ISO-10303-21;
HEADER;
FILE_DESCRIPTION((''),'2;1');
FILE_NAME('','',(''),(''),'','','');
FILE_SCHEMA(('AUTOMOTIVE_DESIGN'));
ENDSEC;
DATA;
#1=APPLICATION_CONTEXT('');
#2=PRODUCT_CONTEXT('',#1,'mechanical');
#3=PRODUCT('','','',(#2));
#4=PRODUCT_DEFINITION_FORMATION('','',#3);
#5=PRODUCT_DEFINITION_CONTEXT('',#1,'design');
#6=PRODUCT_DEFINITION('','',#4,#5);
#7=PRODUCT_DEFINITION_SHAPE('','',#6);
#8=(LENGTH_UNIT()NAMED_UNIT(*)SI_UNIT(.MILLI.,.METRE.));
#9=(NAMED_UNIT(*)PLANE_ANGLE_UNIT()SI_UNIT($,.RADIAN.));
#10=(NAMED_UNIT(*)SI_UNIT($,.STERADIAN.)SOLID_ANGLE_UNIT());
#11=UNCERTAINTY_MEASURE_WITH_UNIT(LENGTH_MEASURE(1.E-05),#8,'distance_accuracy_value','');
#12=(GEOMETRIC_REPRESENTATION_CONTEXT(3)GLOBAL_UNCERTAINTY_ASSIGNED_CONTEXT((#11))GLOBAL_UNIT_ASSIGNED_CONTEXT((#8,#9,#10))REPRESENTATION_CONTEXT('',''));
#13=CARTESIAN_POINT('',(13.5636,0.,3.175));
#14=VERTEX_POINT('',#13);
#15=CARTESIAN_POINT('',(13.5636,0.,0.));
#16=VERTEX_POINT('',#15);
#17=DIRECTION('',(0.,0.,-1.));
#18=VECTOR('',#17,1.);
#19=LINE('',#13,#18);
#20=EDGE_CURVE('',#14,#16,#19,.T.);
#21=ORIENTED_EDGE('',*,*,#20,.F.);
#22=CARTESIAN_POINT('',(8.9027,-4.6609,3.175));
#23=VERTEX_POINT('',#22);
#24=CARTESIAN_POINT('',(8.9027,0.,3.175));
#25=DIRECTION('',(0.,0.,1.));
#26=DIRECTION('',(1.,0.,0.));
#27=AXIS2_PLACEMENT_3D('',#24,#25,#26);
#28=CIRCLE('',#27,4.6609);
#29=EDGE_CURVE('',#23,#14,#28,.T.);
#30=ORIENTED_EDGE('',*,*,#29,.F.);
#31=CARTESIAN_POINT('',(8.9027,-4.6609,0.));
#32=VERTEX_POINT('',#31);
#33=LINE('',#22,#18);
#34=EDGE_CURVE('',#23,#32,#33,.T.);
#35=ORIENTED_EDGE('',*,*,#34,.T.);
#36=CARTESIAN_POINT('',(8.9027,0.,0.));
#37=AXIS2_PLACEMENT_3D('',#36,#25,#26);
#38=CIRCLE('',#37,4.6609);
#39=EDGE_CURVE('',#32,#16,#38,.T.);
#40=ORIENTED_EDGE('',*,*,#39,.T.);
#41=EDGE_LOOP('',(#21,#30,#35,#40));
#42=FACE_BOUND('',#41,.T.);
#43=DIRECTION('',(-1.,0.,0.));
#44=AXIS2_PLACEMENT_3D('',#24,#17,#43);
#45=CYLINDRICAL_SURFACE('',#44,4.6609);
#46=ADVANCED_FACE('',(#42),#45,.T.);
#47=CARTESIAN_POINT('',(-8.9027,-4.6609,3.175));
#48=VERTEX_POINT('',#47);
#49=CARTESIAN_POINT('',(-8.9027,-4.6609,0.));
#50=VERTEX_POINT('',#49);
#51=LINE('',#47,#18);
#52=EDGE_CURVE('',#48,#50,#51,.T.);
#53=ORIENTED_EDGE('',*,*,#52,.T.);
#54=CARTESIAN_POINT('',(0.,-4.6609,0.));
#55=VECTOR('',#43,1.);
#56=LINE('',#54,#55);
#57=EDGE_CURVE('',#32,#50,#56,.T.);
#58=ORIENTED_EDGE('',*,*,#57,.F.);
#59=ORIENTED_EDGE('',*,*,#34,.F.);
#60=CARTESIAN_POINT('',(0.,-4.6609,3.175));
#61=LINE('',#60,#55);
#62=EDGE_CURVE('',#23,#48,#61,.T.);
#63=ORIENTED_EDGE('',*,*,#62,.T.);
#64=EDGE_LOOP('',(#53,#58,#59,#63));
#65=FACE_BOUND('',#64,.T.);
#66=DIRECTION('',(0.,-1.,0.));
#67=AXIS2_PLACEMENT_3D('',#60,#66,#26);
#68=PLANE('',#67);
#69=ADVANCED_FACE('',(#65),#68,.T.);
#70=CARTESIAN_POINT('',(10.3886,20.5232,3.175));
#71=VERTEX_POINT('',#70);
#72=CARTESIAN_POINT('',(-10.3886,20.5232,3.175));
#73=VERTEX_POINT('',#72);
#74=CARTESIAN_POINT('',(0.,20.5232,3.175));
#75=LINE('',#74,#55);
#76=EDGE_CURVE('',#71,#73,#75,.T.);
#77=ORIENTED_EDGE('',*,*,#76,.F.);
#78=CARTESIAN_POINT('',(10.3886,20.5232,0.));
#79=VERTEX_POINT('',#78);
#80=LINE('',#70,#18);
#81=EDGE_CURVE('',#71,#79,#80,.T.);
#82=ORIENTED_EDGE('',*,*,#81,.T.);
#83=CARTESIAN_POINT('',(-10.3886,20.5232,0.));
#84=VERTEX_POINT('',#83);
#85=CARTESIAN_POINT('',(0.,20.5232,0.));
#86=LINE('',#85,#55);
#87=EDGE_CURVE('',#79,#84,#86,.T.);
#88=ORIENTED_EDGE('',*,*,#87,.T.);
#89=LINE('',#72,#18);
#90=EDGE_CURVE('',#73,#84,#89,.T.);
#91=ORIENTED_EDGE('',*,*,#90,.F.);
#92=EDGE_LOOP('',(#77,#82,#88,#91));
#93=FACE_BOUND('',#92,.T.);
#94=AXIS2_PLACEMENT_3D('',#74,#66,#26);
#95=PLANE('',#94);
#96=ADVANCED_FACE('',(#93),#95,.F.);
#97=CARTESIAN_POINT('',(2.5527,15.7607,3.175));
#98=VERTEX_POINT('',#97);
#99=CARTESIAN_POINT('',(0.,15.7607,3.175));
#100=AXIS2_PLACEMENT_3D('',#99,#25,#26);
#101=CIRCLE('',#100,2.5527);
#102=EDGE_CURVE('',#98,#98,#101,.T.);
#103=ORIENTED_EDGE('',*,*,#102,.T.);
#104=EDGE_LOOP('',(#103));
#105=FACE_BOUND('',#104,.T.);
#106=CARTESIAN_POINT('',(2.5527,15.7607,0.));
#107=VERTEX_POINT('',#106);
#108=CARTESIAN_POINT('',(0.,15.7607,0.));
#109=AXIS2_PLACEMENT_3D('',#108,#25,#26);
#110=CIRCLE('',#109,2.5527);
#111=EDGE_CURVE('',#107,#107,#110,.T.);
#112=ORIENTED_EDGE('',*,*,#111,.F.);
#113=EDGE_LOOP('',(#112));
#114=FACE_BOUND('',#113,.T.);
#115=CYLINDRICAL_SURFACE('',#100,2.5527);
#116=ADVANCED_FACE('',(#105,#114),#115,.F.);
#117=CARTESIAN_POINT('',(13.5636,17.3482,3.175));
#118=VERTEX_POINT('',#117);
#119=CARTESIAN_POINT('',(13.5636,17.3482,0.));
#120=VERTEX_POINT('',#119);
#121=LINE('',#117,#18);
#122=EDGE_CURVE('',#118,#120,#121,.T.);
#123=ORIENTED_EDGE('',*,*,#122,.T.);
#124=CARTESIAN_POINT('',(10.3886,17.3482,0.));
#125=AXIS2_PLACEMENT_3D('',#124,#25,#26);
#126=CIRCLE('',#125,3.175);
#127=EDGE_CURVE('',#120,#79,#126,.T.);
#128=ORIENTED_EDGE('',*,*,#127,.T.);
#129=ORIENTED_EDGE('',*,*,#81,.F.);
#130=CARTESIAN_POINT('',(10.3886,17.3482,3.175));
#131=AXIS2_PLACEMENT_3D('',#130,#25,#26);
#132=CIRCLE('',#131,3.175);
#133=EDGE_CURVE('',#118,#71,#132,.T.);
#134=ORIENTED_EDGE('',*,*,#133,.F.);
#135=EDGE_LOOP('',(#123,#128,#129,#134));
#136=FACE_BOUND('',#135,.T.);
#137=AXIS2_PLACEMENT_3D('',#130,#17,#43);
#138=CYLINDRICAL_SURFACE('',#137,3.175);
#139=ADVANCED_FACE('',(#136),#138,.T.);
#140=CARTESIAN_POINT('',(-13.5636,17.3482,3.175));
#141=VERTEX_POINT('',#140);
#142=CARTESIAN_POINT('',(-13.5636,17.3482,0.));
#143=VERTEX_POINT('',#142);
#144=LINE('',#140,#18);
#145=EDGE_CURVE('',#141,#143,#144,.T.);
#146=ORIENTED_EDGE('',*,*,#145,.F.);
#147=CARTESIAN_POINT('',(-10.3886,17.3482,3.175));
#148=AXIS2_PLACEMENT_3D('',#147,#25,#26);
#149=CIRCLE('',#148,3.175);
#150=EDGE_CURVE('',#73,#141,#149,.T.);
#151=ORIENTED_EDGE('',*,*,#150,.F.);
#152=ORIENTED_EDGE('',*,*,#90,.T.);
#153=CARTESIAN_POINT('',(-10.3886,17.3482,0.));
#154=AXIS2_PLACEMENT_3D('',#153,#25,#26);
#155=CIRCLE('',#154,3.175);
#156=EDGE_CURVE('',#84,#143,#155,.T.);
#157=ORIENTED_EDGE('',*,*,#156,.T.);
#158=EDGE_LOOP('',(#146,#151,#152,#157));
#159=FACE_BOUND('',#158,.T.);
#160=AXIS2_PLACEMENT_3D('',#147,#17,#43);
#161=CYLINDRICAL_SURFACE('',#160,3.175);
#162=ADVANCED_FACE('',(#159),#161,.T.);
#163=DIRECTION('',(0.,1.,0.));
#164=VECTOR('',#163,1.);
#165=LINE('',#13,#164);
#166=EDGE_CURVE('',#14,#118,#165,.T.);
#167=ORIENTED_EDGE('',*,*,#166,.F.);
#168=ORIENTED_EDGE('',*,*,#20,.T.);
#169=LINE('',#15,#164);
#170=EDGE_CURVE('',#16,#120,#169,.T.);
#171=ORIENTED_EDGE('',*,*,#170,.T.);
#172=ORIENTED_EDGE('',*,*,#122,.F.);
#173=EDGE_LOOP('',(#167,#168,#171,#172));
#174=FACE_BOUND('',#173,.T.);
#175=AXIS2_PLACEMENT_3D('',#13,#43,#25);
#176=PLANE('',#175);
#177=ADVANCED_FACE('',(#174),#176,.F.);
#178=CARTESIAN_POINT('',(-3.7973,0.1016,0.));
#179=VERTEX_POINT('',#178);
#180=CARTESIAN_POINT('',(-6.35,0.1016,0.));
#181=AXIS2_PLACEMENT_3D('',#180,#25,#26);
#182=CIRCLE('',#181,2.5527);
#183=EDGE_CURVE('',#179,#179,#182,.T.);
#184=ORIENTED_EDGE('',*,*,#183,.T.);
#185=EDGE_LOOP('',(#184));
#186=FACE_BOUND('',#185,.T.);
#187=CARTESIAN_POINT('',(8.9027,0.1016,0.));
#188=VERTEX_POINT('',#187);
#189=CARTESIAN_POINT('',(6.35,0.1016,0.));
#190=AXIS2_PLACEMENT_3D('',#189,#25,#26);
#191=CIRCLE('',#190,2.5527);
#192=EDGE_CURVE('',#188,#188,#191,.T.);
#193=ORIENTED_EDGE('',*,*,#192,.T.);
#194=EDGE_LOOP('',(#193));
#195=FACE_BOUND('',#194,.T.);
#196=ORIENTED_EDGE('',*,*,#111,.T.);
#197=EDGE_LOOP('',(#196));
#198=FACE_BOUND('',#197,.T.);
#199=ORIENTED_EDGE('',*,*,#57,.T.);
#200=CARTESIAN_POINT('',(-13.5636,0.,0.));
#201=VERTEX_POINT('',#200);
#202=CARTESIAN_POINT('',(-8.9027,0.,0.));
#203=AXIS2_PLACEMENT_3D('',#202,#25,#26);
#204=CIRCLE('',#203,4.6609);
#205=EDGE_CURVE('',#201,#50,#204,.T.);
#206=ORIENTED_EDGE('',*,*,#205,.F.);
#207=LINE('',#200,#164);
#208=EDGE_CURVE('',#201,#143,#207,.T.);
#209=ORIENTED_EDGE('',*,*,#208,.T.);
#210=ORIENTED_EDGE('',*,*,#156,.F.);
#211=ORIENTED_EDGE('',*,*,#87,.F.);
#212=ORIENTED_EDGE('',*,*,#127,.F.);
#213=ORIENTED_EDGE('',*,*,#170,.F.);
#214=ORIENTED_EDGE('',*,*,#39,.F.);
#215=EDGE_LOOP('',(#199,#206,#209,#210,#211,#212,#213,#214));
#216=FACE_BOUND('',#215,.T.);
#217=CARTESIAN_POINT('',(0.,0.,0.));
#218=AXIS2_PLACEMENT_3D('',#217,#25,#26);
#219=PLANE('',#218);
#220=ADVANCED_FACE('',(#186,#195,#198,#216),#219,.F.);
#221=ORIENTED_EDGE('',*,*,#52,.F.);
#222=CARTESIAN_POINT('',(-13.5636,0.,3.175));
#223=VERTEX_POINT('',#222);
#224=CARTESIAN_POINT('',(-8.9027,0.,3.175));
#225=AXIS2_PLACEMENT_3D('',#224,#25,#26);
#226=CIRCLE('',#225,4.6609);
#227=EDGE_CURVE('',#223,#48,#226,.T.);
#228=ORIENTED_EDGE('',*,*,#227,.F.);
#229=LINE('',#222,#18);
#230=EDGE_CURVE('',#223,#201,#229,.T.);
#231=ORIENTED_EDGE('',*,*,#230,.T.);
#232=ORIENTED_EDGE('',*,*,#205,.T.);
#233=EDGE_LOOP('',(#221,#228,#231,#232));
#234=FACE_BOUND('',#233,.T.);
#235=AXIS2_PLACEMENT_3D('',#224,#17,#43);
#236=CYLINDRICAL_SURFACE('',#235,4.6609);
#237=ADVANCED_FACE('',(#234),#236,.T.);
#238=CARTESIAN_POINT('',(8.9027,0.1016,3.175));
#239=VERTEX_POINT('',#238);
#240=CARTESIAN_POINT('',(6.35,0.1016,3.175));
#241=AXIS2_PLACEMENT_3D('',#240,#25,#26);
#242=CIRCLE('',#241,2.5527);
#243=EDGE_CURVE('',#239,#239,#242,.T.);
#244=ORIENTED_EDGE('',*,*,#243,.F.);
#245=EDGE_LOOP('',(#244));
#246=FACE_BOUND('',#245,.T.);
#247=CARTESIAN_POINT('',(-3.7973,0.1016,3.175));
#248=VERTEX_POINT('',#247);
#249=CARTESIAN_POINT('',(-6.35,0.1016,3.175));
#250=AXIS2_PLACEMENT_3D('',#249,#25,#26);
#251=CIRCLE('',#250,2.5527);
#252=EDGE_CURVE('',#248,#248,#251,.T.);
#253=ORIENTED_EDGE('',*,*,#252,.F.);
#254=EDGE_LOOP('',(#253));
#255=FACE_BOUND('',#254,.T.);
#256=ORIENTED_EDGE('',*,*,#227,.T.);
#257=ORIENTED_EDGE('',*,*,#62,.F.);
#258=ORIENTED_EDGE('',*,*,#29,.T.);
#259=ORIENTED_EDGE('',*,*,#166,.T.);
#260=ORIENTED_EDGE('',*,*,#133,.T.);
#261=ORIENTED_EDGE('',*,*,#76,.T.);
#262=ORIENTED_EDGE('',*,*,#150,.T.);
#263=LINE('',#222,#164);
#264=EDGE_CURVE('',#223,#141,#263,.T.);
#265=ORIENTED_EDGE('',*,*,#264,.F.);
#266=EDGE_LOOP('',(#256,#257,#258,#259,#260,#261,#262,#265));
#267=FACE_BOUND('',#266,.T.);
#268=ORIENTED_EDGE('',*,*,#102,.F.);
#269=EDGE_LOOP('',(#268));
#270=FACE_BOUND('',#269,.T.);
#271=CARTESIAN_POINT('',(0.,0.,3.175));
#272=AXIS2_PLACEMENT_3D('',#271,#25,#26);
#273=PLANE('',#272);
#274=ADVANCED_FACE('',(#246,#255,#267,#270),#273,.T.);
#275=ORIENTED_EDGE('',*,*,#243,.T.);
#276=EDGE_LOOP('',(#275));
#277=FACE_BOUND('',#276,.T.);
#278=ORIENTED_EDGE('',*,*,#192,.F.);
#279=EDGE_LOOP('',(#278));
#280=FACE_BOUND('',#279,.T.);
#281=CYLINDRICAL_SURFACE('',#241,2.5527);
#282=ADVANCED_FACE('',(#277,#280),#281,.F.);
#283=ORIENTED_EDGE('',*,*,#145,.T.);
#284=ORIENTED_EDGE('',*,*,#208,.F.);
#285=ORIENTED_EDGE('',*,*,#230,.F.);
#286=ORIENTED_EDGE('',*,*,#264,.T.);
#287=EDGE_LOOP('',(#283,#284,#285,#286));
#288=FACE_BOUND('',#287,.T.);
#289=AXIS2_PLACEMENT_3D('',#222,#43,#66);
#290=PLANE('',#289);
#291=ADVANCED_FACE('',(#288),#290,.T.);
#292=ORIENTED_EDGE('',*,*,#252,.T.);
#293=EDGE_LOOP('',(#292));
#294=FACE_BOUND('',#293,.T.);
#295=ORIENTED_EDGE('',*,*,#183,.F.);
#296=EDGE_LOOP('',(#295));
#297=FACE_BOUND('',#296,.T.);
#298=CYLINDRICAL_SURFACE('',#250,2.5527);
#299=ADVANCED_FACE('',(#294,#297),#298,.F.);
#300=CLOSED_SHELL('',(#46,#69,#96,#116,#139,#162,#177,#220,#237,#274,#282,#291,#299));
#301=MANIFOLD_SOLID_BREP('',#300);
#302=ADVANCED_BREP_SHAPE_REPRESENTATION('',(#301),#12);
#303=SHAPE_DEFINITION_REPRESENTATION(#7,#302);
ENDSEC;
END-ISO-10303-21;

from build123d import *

# Parameters (mm, degrees)
BOSS_EXTRUDE1_DEPTH    = 3.175
F_10_CLEARANCE_HOLE1_D = 5.1054


with BuildPart() as part:
    # Sketch1 → Boss-Extrude1 (new body)
    with BuildSketch(Plane.XY):
        with BuildLine():
            Line((-8.9027, 4.6609), (8.9027, 4.6609))
            ThreePointArc((8.9027, 4.6609), (12.198453996, 3.295753996), (13.5636, 0))
            Line((13.5636, 0), (13.5636, 17.3482))
            ThreePointArc((13.5636, 17.3482), (12.63366403, 19.59326403), (10.3886, 20.5232))
            Line((10.3886, 20.5232), (-10.3886, 20.5232))
            ThreePointArc((-10.3886, 20.5232), (-12.63366403, 19.59326403), (-13.5636, 17.3482))
            Line((-13.5636, 17.3482), (-13.5636, 0))
            ThreePointArc((-13.5636, 0), (-12.198453996, 3.295753996), (-8.9027, 4.6609))
        make_face()
        with BuildLine():
            ThreePointArc((13.5636, 0), (12.198453996, 3.295753996), (8.9027, 4.6609))
            Line((8.9027, 4.6609), (-8.9027, 4.6609))
            ThreePointArc((-8.9027, 4.6609), (-12.198453996, 3.295753996), (-13.5636, 0))
            ThreePointArc((-13.5636, 0), (-12.198453996, -3.295753996), (-8.9027, -4.6609))
            Line((-8.9027, -4.6609), (8.9027, -4.6609))
            ThreePointArc((8.9027, -4.6609), (12.198453996, -3.295753996), (13.5636, 0))
        make_face()
    extrude(amount=BOSS_EXTRUDE1_DEPTH)

    # #10 Clearance Hole1 (through all)
    with Locations(Plane.XY.offset(3.175)):
        with Locations((6.35, 0.1016), (-6.35, 0.1016), (0, 15.7607)):
            Hole(F_10_CLEARANCE_HOLE1_D / 2)


solid = part.part
